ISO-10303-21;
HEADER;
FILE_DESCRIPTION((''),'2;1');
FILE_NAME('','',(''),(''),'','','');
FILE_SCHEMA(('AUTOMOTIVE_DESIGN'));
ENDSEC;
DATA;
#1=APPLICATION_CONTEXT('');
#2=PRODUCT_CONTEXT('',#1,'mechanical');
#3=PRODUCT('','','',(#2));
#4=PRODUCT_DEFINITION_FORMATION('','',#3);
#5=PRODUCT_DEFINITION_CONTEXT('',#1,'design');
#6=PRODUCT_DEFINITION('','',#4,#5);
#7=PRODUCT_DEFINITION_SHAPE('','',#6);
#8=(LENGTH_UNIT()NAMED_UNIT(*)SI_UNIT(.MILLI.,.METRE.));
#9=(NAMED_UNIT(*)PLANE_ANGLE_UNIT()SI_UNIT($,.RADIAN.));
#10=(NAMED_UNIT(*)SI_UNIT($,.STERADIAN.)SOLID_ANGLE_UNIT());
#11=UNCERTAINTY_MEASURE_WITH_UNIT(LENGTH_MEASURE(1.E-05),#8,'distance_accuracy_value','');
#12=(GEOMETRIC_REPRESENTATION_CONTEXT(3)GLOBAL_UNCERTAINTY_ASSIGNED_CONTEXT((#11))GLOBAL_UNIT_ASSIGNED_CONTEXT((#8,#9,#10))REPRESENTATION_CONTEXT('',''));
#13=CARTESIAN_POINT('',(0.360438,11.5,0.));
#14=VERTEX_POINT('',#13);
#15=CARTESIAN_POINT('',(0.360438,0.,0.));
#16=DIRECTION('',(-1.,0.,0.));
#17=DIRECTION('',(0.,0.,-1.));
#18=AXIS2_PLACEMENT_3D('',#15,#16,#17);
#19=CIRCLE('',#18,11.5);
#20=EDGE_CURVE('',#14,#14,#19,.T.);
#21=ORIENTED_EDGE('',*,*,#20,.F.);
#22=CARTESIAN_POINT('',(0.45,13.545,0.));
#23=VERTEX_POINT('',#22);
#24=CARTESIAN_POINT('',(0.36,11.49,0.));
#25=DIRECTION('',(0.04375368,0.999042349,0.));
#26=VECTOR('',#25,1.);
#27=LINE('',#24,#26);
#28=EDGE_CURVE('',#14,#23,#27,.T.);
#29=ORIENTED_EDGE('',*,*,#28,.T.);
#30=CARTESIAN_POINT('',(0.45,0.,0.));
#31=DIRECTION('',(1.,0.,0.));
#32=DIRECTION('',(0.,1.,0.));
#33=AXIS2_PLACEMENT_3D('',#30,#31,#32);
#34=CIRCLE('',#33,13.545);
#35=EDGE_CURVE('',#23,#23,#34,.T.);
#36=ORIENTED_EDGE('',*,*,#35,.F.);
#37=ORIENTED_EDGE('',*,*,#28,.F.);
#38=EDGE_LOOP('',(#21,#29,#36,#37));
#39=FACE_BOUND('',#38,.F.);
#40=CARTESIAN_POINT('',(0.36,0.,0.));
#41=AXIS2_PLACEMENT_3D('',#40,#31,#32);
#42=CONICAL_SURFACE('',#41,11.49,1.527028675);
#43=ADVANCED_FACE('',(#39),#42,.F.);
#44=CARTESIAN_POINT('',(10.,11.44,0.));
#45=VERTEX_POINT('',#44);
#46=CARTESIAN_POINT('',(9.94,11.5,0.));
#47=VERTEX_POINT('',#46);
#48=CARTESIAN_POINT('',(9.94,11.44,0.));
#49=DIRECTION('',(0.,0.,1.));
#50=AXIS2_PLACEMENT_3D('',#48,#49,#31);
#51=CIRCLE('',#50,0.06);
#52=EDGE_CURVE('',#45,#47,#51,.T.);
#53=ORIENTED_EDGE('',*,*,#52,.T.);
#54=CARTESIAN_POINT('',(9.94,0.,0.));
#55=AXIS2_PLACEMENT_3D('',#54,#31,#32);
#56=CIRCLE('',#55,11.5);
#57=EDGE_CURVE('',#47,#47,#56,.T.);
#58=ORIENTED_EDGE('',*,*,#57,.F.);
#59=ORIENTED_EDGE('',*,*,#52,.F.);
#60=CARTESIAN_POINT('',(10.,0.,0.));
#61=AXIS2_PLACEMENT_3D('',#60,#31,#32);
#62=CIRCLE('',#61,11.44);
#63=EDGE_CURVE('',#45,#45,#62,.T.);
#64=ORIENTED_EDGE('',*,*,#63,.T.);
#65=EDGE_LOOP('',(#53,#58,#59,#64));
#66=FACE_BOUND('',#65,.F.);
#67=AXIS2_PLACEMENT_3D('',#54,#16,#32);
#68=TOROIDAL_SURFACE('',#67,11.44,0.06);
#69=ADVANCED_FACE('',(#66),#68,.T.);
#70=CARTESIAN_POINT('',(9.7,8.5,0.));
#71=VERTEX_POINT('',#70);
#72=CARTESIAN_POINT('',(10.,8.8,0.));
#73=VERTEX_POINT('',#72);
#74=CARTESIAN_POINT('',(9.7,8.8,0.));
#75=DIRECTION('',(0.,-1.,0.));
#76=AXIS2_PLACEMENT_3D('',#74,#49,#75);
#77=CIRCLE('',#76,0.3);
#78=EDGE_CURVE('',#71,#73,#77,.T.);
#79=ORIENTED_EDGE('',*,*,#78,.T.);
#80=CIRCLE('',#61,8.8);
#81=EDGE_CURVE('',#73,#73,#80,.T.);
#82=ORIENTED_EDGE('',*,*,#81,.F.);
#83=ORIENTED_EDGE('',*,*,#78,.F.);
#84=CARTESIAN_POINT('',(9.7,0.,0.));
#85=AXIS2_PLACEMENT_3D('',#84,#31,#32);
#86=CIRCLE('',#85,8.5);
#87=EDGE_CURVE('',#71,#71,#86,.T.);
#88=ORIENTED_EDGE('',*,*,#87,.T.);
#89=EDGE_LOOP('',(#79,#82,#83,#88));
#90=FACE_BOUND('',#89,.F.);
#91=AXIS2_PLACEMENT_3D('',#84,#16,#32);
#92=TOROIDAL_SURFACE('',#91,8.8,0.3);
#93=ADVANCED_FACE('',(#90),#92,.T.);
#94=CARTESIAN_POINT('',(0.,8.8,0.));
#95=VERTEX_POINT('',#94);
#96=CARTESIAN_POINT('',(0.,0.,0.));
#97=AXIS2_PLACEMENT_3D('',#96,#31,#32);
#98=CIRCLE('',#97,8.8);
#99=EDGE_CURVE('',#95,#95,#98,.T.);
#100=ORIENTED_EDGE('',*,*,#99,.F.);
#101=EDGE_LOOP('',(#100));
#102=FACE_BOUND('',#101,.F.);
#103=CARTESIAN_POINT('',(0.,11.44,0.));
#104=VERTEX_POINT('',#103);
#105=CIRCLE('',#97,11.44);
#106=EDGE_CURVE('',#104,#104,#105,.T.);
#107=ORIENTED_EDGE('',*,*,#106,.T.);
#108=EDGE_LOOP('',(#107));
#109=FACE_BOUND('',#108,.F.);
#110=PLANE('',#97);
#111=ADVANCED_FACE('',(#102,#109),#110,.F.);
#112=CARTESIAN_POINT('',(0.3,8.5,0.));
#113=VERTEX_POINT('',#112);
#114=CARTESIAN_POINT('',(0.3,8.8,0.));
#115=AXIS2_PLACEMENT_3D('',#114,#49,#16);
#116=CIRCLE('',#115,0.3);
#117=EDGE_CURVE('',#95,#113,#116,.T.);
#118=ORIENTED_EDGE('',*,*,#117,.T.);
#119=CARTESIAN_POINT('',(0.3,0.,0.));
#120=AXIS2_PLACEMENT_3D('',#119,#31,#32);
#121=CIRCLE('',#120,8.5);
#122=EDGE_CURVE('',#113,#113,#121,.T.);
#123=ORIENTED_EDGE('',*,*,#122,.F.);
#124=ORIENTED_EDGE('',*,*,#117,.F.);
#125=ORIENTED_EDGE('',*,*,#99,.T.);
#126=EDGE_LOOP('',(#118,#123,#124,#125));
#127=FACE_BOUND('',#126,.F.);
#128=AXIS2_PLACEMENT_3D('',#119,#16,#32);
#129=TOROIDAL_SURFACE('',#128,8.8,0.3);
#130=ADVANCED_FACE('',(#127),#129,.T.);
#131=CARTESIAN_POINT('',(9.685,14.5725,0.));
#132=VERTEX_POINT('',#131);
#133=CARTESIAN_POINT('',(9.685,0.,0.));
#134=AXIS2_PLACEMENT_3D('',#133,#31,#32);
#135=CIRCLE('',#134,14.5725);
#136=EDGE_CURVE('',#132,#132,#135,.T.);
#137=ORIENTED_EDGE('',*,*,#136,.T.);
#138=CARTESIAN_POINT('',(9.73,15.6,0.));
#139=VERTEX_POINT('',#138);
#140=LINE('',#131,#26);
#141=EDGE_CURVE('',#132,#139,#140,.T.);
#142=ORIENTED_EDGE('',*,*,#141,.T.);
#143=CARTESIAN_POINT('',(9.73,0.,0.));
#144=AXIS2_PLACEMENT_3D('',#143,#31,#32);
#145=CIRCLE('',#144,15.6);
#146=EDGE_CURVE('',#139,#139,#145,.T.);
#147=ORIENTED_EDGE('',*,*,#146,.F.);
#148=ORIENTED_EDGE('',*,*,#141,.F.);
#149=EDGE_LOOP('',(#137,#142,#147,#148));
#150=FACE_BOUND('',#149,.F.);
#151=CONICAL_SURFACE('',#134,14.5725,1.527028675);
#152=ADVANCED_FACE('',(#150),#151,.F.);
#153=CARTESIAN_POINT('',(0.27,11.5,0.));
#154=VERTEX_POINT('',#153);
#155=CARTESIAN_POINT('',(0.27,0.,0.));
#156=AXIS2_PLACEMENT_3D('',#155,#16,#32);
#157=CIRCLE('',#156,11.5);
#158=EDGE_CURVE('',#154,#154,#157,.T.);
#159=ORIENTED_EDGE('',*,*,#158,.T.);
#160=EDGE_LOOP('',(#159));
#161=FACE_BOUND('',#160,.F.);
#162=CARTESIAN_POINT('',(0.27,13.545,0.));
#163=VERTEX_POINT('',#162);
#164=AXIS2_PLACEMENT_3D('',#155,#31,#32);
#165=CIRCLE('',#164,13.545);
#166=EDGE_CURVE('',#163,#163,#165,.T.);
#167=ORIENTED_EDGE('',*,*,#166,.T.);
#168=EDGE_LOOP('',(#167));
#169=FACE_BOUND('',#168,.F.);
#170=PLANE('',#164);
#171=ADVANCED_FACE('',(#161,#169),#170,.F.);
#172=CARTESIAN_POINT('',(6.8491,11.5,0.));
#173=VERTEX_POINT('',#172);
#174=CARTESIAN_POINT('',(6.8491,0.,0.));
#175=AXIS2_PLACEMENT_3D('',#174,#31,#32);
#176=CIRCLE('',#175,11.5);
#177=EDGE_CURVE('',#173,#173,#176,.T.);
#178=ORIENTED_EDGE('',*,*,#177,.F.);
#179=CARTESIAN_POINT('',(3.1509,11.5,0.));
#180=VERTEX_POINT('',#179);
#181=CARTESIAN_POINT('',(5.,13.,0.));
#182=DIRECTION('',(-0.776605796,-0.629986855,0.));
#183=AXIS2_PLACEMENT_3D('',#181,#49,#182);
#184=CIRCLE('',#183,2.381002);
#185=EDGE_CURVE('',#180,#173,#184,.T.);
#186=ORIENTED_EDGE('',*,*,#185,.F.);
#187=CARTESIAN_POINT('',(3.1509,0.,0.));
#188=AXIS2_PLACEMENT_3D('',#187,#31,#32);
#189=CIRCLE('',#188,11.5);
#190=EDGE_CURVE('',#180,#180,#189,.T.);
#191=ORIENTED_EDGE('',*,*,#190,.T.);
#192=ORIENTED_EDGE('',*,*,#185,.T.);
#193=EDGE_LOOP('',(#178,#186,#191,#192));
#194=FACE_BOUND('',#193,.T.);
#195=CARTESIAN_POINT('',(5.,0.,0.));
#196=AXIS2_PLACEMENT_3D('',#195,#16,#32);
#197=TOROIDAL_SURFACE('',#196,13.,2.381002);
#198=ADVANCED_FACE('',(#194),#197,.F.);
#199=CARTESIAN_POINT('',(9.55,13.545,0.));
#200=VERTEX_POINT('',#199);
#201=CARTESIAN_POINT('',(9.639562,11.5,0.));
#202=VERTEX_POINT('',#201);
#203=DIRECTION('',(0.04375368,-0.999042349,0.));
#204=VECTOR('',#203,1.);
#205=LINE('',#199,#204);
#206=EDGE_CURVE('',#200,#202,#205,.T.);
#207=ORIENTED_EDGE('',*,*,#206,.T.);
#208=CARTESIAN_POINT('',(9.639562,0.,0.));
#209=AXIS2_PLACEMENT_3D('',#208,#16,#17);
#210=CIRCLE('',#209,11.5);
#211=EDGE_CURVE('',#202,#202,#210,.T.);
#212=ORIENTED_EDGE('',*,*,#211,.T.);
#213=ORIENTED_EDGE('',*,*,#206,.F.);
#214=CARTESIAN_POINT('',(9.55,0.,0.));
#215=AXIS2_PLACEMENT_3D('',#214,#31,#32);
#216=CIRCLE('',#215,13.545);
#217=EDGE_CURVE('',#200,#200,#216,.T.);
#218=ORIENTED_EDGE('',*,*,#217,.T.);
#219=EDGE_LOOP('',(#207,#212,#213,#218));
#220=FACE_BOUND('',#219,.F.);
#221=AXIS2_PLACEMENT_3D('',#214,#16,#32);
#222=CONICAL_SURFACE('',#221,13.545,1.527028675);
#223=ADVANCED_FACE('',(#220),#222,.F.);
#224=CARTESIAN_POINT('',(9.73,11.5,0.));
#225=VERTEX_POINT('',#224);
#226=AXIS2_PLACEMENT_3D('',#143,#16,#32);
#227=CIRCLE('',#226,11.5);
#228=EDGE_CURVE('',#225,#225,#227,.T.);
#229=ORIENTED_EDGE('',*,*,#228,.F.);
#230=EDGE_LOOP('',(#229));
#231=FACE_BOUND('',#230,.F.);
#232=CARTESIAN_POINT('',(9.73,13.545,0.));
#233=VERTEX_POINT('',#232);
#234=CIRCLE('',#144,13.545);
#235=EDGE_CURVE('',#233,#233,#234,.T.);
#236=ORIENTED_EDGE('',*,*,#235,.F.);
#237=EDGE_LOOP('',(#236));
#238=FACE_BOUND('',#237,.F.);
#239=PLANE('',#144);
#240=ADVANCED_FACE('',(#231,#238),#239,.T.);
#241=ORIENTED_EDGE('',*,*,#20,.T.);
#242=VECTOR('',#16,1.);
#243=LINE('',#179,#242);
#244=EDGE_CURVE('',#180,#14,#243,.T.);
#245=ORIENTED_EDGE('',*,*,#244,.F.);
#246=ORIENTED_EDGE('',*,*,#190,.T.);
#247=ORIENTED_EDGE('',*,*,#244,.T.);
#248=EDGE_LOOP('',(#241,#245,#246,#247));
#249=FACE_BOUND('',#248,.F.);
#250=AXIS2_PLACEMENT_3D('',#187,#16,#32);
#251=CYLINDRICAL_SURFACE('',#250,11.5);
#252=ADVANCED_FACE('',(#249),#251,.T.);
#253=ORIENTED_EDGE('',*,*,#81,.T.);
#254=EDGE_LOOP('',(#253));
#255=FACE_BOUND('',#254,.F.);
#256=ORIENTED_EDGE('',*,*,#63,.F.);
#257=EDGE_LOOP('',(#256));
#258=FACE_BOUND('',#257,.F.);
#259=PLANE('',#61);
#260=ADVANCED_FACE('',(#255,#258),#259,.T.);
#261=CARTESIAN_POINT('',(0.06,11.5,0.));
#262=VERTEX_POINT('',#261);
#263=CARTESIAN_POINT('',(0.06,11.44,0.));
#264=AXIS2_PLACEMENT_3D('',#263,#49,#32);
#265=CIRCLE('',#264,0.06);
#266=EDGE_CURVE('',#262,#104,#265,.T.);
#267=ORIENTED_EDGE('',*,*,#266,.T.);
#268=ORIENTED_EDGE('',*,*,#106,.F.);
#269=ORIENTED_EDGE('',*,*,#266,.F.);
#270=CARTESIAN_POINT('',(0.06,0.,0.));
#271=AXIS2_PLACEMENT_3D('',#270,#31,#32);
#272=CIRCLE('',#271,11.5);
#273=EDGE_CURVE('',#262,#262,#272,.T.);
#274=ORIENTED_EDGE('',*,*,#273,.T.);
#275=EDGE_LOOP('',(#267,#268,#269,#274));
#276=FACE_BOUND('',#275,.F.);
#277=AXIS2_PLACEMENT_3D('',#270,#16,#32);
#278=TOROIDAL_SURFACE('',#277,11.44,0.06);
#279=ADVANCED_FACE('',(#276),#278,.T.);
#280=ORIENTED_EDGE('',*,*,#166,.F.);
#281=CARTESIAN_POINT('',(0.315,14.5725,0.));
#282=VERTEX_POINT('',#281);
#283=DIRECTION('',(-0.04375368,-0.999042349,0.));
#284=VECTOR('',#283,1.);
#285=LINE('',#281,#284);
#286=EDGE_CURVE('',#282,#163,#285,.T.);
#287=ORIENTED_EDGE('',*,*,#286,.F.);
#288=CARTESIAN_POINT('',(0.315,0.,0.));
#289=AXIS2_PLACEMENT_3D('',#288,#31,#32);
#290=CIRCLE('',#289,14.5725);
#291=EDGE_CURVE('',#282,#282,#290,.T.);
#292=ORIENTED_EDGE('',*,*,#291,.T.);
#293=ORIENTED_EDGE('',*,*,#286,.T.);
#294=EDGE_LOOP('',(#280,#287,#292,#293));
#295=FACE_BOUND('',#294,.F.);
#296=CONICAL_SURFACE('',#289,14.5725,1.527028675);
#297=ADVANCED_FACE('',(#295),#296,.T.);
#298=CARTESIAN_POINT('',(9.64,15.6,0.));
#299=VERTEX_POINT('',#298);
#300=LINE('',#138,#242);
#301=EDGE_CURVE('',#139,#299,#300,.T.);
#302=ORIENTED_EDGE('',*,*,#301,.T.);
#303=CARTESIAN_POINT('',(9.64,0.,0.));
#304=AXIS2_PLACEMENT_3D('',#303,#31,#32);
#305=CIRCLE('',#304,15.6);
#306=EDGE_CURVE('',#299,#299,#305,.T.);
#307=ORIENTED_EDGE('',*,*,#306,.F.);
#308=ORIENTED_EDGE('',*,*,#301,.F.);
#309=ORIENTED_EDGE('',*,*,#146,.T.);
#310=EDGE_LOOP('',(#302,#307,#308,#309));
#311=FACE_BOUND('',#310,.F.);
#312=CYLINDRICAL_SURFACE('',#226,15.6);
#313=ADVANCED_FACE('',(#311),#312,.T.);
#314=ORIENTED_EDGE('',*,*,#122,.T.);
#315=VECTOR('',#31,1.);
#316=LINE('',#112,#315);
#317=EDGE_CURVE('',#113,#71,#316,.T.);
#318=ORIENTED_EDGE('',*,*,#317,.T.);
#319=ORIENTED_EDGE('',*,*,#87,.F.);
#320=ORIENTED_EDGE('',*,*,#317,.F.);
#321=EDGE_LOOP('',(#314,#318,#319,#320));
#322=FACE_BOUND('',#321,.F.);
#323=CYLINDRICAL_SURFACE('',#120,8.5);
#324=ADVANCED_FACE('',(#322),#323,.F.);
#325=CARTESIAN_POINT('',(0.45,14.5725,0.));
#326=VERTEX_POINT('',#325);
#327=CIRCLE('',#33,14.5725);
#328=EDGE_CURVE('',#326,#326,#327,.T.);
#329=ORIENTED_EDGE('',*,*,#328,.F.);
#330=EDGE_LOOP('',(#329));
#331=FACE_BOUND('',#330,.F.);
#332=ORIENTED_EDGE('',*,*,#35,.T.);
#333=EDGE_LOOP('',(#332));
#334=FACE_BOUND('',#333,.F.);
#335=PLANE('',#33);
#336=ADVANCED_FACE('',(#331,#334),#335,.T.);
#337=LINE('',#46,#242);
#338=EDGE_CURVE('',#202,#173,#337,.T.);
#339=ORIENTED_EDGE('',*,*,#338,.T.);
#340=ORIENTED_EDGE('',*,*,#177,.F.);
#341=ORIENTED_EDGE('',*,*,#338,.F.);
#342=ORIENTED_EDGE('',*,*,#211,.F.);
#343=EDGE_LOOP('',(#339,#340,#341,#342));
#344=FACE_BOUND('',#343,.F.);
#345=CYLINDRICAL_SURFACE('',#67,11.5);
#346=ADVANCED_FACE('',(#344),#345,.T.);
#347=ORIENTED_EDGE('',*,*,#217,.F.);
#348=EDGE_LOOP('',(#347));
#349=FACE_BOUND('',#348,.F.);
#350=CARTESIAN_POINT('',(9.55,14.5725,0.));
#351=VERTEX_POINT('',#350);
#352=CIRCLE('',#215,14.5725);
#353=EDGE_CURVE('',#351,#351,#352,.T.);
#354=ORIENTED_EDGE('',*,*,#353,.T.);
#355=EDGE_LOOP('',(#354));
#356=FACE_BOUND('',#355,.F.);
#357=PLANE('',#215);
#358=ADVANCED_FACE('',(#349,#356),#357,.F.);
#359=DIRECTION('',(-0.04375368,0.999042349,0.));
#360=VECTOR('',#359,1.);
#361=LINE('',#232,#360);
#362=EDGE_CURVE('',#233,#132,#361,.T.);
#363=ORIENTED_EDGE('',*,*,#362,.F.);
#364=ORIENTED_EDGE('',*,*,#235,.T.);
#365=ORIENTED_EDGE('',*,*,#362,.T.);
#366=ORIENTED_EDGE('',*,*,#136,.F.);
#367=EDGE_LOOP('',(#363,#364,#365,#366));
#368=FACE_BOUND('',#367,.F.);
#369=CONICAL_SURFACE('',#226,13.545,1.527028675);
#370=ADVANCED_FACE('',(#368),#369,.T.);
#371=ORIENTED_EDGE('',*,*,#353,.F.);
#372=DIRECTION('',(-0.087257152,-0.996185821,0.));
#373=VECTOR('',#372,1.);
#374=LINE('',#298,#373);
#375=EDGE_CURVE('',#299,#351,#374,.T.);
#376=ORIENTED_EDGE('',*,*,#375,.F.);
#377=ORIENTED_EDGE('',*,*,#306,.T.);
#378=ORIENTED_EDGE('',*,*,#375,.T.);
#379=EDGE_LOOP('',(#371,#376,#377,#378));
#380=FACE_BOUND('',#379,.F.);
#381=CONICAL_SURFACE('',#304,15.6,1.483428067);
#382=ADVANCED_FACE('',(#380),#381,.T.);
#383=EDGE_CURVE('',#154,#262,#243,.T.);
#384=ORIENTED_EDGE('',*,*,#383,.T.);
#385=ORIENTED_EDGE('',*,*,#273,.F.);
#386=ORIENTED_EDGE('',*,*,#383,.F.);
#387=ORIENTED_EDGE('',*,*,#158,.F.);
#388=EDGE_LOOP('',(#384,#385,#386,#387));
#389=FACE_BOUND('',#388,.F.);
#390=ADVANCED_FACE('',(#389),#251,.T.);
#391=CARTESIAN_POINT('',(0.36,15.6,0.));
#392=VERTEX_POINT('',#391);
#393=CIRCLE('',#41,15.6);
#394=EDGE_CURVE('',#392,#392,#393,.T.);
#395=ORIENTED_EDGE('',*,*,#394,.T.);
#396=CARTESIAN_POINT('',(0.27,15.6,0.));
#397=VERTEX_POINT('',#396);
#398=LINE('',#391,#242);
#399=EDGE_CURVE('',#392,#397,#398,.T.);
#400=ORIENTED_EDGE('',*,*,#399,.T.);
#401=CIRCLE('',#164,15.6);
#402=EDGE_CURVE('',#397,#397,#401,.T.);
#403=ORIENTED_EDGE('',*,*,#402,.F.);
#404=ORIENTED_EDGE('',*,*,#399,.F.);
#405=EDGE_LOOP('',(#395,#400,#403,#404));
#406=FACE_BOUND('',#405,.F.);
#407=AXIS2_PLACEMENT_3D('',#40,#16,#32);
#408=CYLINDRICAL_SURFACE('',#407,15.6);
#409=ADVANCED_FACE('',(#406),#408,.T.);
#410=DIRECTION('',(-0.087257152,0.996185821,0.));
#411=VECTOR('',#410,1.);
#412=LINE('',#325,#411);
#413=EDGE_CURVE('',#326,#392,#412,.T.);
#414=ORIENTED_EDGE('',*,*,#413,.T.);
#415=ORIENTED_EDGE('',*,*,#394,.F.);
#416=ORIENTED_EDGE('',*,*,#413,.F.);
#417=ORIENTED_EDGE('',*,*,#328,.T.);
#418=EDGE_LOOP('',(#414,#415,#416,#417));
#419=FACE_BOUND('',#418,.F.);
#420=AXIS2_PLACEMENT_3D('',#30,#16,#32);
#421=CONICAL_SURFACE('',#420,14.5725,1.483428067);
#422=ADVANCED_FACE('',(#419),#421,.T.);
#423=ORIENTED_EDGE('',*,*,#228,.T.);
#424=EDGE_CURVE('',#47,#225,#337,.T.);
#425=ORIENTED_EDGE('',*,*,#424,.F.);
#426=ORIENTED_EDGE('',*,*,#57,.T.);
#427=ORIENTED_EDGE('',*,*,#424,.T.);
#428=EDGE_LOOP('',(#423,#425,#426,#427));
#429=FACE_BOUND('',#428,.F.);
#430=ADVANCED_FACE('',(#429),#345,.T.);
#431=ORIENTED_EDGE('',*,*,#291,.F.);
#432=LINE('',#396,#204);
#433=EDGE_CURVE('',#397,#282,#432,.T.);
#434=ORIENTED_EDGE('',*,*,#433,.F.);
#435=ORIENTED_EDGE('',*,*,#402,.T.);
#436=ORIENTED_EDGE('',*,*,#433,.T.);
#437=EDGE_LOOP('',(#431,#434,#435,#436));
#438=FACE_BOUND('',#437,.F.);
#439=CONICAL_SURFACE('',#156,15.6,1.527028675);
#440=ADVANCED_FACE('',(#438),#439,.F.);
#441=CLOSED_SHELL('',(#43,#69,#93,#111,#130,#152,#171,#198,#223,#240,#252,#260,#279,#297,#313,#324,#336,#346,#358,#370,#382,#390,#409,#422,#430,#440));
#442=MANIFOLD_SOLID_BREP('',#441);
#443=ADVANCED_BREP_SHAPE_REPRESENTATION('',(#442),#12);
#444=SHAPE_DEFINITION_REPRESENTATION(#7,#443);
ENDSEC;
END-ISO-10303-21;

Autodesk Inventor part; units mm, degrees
ref_plane "YZ Plane" through (0, 0, 0) normal (1, 0, 0) x (0, 1, 0)
ref_plane "XZ Plane" through (0, 0, 0) normal (0, 1, 0) x (-1, 0, 0)
ref_plane "XY Plane" through (0, 0, 0) normal (0, 0, 1) x (1, 0, 0)
sketch "Sketch_17" plane through (0, 0, 0) normal (0, 0, 1) x (1, 0, 0)
  line L0 (50, 0) -> (-50, 0)
  line L1 (0, 11.44) -> (0, 8.8)
  arc A0 (0, 8.8) -> (0.3, 8.5) centre (0.3, 8.8) ccw
  line L2 (0.3, 8.5) -> (9.7, 8.5)
  arc A1 (9.7, 8.5) -> (10, 8.8) centre (9.7, 8.8) ccw
  line L3 (10, 8.8) -> (10, 11.44)
  arc A2 (10, 11.44) -> (9.94, 11.5) centre (9.94, 11.44) ccw
  line L4 (9.94, 11.5) -> (6.8491, 11.5)
  arc A3 (3.1509, 11.5) -> (6.8491, 11.5) centre (5, 13) ccw
  line L5 (3.1509, 11.5) -> (0.06, 11.5)
  arc A4 (0.06, 11.5) -> (0, 11.44) centre (0.06, 11.44) ccw
revolve "Revolution1" add sketch "Sketch_17" angle 360 about axis through (50, 0, 0) along (1, 0, 0)
sketch "Sketch_20" plane through (0, 0, 0) normal (0, 0, 1) x (1, 0, 0)
  line L0 (50, 0) -> (-50, 0)
  line L1 (0.27, 15.6) -> (0.315, 14.5725)
  line L2 (0.315, 14.5725) -> (0.27, 13.545)
  line L3 (0.27, 13.545) -> (0.27, 11.49)
  line L4 (0.27, 11.49) -> (0.36, 11.49)
  line L5 (0.36, 11.49) -> (0.45, 13.545)
  line L6 (0.45, 13.545) -> (0.45, 14.5725)
  line L7 (0.45, 14.5725) -> (0.36, 15.6)
  line L8 (0.36, 15.6) -> (0.27, 15.6)
revolve "Revolution2" add sketch "Sketch_20" angle 360 about axis through (50, 0, 0) along (1, 0, 0)
sketch "Sketch_21" plane through (0, 0, 0) normal (0, 0, 1) x (1, 0, 0)
  line L0 (50, 0) -> (-50, 0)
  line L1 (9.55, 14.5725) -> (9.55, 13.545)
  line L2 (9.55, 13.545) -> (9.64, 11.49)
  line L3 (9.64, 11.49) -> (9.73, 11.49)
  line L4 (9.73, 11.49) -> (9.73, 13.545)
  line L5 (9.73, 13.545) -> (9.685, 14.5725)
  line L6 (9.685, 14.5725) -> (9.73, 15.6)
  line L7 (9.73, 15.6) -> (9.64, 15.6)
  line L8 (9.64, 15.6) -> (9.55, 14.5725)
revolve "Revolution3" add sketch "Sketch_21" angle 360 about axis through (50, 0, 0) along (1, 0, 0)
properties part number "SKF_6003-2Z_PART1"
